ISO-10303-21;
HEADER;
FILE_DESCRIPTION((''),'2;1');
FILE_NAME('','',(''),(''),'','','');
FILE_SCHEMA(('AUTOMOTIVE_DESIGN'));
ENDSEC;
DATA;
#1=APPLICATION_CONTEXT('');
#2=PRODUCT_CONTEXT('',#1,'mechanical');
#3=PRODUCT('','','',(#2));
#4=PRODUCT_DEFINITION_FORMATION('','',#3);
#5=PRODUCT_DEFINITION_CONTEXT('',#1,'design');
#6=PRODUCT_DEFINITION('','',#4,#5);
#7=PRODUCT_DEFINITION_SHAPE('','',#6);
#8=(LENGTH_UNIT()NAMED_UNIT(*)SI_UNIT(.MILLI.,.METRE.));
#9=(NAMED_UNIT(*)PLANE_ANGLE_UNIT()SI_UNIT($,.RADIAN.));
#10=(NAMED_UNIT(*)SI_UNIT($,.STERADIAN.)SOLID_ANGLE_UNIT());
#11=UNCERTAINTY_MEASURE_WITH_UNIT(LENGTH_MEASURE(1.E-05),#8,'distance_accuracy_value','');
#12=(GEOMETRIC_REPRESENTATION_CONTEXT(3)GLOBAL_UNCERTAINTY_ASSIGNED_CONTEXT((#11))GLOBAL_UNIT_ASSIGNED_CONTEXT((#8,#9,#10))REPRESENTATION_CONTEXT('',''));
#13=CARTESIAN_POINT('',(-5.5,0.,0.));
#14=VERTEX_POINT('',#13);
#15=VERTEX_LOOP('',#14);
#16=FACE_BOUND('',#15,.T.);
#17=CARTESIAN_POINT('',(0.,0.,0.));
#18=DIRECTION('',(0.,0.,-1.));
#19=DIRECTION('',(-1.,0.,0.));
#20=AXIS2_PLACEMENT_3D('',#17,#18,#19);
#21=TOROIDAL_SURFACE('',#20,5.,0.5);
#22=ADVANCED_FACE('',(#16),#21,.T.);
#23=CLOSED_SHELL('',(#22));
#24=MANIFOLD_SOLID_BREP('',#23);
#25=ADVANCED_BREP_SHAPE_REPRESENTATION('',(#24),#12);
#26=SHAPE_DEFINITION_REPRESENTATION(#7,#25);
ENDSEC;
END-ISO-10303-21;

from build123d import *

# Parameters (mm, degrees)
SKETCH2_R = 0.5


with BuildPart() as part:
    # Sketch2 → Revolve1 (revolve)
    with BuildSketch(Plane(origin=(0, 0, 0), x_dir=(1, 0, 0), z_dir=(0, 1, 0)), mode=Mode.PRIVATE) as revolve1_sk:
        with Locations((5, 0)):
            Circle(SKETCH2_R)
    revolve(revolve1_sk.sketch.rotate(Axis((0, 0, -0.5), (0, 0, 1)), 180), axis=Axis((0, 0, -0.5), (0, 0, 1)))


solid = part.part
